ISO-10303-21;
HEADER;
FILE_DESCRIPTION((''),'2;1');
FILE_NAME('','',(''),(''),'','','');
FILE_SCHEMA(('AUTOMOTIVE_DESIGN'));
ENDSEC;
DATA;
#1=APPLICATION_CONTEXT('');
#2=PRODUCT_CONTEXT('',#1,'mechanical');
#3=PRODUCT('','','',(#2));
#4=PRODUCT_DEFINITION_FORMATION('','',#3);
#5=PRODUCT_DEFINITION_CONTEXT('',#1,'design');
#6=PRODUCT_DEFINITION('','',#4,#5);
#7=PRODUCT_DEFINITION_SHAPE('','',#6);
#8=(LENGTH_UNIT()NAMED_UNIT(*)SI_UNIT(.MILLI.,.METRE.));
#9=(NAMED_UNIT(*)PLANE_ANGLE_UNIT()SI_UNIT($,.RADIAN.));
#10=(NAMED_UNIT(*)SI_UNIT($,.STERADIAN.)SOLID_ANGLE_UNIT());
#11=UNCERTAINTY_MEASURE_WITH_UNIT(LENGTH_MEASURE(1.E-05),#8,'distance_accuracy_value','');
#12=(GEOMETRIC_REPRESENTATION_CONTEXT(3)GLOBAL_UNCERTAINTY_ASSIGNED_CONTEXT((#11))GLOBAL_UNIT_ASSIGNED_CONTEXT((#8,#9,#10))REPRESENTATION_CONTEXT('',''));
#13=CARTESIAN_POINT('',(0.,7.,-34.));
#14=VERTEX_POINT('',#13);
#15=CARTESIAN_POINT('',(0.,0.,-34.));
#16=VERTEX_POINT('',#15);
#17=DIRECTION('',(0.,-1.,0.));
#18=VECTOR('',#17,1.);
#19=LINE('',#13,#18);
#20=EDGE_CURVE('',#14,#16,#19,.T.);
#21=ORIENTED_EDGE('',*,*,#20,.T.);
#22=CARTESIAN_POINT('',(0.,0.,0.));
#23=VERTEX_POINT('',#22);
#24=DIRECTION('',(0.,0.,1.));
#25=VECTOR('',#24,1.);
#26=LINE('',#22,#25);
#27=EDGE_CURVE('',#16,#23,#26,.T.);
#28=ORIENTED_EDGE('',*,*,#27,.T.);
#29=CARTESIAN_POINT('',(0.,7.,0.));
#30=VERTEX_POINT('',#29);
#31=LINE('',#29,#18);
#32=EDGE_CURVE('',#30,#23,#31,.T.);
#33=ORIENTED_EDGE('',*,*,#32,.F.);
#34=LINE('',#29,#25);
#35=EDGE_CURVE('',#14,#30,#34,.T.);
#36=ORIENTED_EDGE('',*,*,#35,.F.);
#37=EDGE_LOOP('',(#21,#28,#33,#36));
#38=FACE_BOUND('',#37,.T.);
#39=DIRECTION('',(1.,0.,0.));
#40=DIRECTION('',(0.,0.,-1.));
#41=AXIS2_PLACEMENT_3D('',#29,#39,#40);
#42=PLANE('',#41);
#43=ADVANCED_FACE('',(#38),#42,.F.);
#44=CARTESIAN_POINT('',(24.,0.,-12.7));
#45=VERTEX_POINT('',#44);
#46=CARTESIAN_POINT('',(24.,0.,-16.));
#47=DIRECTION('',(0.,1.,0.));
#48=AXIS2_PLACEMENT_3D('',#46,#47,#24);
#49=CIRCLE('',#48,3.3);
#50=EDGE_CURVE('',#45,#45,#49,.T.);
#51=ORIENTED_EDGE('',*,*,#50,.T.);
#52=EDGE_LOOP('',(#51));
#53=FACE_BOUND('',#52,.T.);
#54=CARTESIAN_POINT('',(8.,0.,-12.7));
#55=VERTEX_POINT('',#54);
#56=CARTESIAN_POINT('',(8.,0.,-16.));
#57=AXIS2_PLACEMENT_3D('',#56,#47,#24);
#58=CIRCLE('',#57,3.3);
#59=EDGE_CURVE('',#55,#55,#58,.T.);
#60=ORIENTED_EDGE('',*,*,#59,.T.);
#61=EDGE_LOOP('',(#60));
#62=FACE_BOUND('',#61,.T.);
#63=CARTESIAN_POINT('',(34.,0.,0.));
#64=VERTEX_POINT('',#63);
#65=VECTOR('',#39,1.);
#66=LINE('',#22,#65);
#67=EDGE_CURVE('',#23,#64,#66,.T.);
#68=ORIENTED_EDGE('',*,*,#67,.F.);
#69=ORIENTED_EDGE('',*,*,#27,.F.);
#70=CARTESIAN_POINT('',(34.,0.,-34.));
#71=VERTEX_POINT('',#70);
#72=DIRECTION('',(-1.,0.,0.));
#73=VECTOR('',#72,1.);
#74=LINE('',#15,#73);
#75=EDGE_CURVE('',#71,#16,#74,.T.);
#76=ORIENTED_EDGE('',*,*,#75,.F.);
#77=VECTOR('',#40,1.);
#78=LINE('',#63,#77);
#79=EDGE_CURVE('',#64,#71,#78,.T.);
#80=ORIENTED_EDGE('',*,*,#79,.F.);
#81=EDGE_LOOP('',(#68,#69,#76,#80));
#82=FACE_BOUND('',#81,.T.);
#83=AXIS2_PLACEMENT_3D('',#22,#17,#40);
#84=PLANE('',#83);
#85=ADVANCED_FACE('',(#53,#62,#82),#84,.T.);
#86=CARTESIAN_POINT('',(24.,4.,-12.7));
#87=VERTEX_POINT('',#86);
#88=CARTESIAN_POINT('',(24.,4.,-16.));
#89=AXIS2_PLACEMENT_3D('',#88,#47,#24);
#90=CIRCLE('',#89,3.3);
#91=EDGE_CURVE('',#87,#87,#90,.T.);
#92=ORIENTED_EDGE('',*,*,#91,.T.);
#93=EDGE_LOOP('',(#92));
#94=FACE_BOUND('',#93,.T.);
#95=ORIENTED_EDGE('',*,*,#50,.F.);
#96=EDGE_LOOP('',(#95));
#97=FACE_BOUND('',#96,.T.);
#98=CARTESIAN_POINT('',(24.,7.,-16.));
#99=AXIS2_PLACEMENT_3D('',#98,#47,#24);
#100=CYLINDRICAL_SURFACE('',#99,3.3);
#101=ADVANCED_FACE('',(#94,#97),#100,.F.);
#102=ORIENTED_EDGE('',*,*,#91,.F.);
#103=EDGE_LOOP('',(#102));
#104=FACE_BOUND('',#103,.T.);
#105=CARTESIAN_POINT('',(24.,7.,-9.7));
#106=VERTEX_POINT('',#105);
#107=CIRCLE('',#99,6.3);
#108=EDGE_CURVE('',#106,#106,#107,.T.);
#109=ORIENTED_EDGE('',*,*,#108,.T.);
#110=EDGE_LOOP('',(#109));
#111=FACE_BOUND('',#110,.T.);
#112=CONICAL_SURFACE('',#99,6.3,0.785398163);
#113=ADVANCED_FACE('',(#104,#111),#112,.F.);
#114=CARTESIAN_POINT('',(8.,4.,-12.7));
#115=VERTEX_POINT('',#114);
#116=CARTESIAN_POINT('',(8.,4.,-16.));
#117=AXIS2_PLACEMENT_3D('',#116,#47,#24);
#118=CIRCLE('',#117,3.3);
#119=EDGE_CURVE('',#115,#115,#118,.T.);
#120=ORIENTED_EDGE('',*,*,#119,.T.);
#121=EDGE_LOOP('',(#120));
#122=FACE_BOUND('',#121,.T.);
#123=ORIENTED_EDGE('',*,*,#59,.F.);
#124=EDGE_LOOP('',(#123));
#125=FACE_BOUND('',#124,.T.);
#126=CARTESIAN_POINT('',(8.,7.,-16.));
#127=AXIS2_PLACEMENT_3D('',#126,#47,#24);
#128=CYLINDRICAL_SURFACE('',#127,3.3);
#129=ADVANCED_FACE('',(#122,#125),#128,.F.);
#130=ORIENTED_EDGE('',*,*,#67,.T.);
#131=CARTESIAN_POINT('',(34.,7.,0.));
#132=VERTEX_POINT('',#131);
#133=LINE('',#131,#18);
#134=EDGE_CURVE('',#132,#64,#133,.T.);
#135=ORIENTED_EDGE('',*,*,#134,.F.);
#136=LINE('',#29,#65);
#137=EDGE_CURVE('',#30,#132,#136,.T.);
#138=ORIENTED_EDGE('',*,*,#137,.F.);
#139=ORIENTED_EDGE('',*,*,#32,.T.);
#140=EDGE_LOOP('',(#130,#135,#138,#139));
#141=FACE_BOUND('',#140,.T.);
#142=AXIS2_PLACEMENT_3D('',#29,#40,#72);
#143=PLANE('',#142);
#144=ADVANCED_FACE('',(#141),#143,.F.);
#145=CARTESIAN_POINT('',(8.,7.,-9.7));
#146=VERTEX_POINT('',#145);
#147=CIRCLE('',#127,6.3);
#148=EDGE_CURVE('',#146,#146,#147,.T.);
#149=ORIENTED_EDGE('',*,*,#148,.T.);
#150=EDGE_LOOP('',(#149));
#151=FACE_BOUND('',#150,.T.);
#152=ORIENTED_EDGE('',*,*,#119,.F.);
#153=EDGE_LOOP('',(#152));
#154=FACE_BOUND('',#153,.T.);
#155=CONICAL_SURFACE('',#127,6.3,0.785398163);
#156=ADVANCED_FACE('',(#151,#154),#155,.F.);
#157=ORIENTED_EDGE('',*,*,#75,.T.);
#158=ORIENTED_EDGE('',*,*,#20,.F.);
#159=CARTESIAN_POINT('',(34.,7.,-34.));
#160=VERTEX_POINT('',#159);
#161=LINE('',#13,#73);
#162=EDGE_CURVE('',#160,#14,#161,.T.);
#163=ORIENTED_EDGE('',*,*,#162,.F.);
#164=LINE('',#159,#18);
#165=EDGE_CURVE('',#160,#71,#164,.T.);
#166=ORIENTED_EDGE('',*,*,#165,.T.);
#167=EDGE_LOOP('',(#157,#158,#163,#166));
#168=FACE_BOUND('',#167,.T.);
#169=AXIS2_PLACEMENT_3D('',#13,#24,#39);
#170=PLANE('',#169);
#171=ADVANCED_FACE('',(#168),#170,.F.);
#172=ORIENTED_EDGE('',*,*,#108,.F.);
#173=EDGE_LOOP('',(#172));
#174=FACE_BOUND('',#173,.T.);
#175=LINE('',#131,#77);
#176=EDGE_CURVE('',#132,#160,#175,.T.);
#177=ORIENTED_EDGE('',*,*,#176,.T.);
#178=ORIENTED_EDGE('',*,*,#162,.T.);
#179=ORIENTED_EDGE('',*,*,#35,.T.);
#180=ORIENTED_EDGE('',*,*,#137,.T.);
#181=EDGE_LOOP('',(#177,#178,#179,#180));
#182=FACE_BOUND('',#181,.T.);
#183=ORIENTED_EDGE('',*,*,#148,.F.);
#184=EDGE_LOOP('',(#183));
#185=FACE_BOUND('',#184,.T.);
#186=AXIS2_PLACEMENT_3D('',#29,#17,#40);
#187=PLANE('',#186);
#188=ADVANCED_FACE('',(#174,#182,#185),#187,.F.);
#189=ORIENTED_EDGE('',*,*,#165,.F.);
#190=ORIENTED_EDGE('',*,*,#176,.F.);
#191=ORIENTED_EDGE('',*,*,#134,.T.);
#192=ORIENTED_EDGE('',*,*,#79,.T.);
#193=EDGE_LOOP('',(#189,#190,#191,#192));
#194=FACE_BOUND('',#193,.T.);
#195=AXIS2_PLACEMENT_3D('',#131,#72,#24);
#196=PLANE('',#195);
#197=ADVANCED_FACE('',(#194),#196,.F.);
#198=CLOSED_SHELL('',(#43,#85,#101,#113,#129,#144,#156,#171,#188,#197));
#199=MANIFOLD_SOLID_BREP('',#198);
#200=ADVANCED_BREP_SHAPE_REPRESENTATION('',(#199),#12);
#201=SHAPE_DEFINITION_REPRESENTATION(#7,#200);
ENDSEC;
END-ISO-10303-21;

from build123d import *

# Parameters (mm, degrees)
SKETCH3_W                                       = 34
SKETCH3_H                                       = 34
BOSS_EXTRUDE2_DEPTH                             = 7
CSK_FOR_M6_FLAT_HEAD_MACHINE_SCREW1_D           = 6.6
CSK_FOR_M6_FLAT_HEAD_MACHINE_SCREW1_CSINK_D     = 12.6
CSK_FOR_M6_FLAT_HEAD_MACHINE_SCREW1_CSINK_ANGLE = 90


with BuildPart() as part:
    # Sketch3 → Boss-Extrude2 (new body)
    with BuildSketch(Plane(origin=(0, 0, 0), x_dir=(1, 0, 0), z_dir=(0, 1, 0))):
        with Locations((17, 17)):
            Rectangle(SKETCH3_W, SKETCH3_H)
    extrude(amount=BOSS_EXTRUDE2_DEPTH)

    # CSK for M6 Flat Head Machine Screw1 (through all)
    with Locations(Plane(origin=(0, 7, 0), x_dir=(1, 0, 0), z_dir=(0, 1, 0))):
        with Locations((8, 16), (24, 16)):
            CounterSinkHole(CSK_FOR_M6_FLAT_HEAD_MACHINE_SCREW1_D / 2, CSK_FOR_M6_FLAT_HEAD_MACHINE_SCREW1_CSINK_D / 2, counter_sink_angle=CSK_FOR_M6_FLAT_HEAD_MACHINE_SCREW1_CSINK_ANGLE)


solid = part.part
